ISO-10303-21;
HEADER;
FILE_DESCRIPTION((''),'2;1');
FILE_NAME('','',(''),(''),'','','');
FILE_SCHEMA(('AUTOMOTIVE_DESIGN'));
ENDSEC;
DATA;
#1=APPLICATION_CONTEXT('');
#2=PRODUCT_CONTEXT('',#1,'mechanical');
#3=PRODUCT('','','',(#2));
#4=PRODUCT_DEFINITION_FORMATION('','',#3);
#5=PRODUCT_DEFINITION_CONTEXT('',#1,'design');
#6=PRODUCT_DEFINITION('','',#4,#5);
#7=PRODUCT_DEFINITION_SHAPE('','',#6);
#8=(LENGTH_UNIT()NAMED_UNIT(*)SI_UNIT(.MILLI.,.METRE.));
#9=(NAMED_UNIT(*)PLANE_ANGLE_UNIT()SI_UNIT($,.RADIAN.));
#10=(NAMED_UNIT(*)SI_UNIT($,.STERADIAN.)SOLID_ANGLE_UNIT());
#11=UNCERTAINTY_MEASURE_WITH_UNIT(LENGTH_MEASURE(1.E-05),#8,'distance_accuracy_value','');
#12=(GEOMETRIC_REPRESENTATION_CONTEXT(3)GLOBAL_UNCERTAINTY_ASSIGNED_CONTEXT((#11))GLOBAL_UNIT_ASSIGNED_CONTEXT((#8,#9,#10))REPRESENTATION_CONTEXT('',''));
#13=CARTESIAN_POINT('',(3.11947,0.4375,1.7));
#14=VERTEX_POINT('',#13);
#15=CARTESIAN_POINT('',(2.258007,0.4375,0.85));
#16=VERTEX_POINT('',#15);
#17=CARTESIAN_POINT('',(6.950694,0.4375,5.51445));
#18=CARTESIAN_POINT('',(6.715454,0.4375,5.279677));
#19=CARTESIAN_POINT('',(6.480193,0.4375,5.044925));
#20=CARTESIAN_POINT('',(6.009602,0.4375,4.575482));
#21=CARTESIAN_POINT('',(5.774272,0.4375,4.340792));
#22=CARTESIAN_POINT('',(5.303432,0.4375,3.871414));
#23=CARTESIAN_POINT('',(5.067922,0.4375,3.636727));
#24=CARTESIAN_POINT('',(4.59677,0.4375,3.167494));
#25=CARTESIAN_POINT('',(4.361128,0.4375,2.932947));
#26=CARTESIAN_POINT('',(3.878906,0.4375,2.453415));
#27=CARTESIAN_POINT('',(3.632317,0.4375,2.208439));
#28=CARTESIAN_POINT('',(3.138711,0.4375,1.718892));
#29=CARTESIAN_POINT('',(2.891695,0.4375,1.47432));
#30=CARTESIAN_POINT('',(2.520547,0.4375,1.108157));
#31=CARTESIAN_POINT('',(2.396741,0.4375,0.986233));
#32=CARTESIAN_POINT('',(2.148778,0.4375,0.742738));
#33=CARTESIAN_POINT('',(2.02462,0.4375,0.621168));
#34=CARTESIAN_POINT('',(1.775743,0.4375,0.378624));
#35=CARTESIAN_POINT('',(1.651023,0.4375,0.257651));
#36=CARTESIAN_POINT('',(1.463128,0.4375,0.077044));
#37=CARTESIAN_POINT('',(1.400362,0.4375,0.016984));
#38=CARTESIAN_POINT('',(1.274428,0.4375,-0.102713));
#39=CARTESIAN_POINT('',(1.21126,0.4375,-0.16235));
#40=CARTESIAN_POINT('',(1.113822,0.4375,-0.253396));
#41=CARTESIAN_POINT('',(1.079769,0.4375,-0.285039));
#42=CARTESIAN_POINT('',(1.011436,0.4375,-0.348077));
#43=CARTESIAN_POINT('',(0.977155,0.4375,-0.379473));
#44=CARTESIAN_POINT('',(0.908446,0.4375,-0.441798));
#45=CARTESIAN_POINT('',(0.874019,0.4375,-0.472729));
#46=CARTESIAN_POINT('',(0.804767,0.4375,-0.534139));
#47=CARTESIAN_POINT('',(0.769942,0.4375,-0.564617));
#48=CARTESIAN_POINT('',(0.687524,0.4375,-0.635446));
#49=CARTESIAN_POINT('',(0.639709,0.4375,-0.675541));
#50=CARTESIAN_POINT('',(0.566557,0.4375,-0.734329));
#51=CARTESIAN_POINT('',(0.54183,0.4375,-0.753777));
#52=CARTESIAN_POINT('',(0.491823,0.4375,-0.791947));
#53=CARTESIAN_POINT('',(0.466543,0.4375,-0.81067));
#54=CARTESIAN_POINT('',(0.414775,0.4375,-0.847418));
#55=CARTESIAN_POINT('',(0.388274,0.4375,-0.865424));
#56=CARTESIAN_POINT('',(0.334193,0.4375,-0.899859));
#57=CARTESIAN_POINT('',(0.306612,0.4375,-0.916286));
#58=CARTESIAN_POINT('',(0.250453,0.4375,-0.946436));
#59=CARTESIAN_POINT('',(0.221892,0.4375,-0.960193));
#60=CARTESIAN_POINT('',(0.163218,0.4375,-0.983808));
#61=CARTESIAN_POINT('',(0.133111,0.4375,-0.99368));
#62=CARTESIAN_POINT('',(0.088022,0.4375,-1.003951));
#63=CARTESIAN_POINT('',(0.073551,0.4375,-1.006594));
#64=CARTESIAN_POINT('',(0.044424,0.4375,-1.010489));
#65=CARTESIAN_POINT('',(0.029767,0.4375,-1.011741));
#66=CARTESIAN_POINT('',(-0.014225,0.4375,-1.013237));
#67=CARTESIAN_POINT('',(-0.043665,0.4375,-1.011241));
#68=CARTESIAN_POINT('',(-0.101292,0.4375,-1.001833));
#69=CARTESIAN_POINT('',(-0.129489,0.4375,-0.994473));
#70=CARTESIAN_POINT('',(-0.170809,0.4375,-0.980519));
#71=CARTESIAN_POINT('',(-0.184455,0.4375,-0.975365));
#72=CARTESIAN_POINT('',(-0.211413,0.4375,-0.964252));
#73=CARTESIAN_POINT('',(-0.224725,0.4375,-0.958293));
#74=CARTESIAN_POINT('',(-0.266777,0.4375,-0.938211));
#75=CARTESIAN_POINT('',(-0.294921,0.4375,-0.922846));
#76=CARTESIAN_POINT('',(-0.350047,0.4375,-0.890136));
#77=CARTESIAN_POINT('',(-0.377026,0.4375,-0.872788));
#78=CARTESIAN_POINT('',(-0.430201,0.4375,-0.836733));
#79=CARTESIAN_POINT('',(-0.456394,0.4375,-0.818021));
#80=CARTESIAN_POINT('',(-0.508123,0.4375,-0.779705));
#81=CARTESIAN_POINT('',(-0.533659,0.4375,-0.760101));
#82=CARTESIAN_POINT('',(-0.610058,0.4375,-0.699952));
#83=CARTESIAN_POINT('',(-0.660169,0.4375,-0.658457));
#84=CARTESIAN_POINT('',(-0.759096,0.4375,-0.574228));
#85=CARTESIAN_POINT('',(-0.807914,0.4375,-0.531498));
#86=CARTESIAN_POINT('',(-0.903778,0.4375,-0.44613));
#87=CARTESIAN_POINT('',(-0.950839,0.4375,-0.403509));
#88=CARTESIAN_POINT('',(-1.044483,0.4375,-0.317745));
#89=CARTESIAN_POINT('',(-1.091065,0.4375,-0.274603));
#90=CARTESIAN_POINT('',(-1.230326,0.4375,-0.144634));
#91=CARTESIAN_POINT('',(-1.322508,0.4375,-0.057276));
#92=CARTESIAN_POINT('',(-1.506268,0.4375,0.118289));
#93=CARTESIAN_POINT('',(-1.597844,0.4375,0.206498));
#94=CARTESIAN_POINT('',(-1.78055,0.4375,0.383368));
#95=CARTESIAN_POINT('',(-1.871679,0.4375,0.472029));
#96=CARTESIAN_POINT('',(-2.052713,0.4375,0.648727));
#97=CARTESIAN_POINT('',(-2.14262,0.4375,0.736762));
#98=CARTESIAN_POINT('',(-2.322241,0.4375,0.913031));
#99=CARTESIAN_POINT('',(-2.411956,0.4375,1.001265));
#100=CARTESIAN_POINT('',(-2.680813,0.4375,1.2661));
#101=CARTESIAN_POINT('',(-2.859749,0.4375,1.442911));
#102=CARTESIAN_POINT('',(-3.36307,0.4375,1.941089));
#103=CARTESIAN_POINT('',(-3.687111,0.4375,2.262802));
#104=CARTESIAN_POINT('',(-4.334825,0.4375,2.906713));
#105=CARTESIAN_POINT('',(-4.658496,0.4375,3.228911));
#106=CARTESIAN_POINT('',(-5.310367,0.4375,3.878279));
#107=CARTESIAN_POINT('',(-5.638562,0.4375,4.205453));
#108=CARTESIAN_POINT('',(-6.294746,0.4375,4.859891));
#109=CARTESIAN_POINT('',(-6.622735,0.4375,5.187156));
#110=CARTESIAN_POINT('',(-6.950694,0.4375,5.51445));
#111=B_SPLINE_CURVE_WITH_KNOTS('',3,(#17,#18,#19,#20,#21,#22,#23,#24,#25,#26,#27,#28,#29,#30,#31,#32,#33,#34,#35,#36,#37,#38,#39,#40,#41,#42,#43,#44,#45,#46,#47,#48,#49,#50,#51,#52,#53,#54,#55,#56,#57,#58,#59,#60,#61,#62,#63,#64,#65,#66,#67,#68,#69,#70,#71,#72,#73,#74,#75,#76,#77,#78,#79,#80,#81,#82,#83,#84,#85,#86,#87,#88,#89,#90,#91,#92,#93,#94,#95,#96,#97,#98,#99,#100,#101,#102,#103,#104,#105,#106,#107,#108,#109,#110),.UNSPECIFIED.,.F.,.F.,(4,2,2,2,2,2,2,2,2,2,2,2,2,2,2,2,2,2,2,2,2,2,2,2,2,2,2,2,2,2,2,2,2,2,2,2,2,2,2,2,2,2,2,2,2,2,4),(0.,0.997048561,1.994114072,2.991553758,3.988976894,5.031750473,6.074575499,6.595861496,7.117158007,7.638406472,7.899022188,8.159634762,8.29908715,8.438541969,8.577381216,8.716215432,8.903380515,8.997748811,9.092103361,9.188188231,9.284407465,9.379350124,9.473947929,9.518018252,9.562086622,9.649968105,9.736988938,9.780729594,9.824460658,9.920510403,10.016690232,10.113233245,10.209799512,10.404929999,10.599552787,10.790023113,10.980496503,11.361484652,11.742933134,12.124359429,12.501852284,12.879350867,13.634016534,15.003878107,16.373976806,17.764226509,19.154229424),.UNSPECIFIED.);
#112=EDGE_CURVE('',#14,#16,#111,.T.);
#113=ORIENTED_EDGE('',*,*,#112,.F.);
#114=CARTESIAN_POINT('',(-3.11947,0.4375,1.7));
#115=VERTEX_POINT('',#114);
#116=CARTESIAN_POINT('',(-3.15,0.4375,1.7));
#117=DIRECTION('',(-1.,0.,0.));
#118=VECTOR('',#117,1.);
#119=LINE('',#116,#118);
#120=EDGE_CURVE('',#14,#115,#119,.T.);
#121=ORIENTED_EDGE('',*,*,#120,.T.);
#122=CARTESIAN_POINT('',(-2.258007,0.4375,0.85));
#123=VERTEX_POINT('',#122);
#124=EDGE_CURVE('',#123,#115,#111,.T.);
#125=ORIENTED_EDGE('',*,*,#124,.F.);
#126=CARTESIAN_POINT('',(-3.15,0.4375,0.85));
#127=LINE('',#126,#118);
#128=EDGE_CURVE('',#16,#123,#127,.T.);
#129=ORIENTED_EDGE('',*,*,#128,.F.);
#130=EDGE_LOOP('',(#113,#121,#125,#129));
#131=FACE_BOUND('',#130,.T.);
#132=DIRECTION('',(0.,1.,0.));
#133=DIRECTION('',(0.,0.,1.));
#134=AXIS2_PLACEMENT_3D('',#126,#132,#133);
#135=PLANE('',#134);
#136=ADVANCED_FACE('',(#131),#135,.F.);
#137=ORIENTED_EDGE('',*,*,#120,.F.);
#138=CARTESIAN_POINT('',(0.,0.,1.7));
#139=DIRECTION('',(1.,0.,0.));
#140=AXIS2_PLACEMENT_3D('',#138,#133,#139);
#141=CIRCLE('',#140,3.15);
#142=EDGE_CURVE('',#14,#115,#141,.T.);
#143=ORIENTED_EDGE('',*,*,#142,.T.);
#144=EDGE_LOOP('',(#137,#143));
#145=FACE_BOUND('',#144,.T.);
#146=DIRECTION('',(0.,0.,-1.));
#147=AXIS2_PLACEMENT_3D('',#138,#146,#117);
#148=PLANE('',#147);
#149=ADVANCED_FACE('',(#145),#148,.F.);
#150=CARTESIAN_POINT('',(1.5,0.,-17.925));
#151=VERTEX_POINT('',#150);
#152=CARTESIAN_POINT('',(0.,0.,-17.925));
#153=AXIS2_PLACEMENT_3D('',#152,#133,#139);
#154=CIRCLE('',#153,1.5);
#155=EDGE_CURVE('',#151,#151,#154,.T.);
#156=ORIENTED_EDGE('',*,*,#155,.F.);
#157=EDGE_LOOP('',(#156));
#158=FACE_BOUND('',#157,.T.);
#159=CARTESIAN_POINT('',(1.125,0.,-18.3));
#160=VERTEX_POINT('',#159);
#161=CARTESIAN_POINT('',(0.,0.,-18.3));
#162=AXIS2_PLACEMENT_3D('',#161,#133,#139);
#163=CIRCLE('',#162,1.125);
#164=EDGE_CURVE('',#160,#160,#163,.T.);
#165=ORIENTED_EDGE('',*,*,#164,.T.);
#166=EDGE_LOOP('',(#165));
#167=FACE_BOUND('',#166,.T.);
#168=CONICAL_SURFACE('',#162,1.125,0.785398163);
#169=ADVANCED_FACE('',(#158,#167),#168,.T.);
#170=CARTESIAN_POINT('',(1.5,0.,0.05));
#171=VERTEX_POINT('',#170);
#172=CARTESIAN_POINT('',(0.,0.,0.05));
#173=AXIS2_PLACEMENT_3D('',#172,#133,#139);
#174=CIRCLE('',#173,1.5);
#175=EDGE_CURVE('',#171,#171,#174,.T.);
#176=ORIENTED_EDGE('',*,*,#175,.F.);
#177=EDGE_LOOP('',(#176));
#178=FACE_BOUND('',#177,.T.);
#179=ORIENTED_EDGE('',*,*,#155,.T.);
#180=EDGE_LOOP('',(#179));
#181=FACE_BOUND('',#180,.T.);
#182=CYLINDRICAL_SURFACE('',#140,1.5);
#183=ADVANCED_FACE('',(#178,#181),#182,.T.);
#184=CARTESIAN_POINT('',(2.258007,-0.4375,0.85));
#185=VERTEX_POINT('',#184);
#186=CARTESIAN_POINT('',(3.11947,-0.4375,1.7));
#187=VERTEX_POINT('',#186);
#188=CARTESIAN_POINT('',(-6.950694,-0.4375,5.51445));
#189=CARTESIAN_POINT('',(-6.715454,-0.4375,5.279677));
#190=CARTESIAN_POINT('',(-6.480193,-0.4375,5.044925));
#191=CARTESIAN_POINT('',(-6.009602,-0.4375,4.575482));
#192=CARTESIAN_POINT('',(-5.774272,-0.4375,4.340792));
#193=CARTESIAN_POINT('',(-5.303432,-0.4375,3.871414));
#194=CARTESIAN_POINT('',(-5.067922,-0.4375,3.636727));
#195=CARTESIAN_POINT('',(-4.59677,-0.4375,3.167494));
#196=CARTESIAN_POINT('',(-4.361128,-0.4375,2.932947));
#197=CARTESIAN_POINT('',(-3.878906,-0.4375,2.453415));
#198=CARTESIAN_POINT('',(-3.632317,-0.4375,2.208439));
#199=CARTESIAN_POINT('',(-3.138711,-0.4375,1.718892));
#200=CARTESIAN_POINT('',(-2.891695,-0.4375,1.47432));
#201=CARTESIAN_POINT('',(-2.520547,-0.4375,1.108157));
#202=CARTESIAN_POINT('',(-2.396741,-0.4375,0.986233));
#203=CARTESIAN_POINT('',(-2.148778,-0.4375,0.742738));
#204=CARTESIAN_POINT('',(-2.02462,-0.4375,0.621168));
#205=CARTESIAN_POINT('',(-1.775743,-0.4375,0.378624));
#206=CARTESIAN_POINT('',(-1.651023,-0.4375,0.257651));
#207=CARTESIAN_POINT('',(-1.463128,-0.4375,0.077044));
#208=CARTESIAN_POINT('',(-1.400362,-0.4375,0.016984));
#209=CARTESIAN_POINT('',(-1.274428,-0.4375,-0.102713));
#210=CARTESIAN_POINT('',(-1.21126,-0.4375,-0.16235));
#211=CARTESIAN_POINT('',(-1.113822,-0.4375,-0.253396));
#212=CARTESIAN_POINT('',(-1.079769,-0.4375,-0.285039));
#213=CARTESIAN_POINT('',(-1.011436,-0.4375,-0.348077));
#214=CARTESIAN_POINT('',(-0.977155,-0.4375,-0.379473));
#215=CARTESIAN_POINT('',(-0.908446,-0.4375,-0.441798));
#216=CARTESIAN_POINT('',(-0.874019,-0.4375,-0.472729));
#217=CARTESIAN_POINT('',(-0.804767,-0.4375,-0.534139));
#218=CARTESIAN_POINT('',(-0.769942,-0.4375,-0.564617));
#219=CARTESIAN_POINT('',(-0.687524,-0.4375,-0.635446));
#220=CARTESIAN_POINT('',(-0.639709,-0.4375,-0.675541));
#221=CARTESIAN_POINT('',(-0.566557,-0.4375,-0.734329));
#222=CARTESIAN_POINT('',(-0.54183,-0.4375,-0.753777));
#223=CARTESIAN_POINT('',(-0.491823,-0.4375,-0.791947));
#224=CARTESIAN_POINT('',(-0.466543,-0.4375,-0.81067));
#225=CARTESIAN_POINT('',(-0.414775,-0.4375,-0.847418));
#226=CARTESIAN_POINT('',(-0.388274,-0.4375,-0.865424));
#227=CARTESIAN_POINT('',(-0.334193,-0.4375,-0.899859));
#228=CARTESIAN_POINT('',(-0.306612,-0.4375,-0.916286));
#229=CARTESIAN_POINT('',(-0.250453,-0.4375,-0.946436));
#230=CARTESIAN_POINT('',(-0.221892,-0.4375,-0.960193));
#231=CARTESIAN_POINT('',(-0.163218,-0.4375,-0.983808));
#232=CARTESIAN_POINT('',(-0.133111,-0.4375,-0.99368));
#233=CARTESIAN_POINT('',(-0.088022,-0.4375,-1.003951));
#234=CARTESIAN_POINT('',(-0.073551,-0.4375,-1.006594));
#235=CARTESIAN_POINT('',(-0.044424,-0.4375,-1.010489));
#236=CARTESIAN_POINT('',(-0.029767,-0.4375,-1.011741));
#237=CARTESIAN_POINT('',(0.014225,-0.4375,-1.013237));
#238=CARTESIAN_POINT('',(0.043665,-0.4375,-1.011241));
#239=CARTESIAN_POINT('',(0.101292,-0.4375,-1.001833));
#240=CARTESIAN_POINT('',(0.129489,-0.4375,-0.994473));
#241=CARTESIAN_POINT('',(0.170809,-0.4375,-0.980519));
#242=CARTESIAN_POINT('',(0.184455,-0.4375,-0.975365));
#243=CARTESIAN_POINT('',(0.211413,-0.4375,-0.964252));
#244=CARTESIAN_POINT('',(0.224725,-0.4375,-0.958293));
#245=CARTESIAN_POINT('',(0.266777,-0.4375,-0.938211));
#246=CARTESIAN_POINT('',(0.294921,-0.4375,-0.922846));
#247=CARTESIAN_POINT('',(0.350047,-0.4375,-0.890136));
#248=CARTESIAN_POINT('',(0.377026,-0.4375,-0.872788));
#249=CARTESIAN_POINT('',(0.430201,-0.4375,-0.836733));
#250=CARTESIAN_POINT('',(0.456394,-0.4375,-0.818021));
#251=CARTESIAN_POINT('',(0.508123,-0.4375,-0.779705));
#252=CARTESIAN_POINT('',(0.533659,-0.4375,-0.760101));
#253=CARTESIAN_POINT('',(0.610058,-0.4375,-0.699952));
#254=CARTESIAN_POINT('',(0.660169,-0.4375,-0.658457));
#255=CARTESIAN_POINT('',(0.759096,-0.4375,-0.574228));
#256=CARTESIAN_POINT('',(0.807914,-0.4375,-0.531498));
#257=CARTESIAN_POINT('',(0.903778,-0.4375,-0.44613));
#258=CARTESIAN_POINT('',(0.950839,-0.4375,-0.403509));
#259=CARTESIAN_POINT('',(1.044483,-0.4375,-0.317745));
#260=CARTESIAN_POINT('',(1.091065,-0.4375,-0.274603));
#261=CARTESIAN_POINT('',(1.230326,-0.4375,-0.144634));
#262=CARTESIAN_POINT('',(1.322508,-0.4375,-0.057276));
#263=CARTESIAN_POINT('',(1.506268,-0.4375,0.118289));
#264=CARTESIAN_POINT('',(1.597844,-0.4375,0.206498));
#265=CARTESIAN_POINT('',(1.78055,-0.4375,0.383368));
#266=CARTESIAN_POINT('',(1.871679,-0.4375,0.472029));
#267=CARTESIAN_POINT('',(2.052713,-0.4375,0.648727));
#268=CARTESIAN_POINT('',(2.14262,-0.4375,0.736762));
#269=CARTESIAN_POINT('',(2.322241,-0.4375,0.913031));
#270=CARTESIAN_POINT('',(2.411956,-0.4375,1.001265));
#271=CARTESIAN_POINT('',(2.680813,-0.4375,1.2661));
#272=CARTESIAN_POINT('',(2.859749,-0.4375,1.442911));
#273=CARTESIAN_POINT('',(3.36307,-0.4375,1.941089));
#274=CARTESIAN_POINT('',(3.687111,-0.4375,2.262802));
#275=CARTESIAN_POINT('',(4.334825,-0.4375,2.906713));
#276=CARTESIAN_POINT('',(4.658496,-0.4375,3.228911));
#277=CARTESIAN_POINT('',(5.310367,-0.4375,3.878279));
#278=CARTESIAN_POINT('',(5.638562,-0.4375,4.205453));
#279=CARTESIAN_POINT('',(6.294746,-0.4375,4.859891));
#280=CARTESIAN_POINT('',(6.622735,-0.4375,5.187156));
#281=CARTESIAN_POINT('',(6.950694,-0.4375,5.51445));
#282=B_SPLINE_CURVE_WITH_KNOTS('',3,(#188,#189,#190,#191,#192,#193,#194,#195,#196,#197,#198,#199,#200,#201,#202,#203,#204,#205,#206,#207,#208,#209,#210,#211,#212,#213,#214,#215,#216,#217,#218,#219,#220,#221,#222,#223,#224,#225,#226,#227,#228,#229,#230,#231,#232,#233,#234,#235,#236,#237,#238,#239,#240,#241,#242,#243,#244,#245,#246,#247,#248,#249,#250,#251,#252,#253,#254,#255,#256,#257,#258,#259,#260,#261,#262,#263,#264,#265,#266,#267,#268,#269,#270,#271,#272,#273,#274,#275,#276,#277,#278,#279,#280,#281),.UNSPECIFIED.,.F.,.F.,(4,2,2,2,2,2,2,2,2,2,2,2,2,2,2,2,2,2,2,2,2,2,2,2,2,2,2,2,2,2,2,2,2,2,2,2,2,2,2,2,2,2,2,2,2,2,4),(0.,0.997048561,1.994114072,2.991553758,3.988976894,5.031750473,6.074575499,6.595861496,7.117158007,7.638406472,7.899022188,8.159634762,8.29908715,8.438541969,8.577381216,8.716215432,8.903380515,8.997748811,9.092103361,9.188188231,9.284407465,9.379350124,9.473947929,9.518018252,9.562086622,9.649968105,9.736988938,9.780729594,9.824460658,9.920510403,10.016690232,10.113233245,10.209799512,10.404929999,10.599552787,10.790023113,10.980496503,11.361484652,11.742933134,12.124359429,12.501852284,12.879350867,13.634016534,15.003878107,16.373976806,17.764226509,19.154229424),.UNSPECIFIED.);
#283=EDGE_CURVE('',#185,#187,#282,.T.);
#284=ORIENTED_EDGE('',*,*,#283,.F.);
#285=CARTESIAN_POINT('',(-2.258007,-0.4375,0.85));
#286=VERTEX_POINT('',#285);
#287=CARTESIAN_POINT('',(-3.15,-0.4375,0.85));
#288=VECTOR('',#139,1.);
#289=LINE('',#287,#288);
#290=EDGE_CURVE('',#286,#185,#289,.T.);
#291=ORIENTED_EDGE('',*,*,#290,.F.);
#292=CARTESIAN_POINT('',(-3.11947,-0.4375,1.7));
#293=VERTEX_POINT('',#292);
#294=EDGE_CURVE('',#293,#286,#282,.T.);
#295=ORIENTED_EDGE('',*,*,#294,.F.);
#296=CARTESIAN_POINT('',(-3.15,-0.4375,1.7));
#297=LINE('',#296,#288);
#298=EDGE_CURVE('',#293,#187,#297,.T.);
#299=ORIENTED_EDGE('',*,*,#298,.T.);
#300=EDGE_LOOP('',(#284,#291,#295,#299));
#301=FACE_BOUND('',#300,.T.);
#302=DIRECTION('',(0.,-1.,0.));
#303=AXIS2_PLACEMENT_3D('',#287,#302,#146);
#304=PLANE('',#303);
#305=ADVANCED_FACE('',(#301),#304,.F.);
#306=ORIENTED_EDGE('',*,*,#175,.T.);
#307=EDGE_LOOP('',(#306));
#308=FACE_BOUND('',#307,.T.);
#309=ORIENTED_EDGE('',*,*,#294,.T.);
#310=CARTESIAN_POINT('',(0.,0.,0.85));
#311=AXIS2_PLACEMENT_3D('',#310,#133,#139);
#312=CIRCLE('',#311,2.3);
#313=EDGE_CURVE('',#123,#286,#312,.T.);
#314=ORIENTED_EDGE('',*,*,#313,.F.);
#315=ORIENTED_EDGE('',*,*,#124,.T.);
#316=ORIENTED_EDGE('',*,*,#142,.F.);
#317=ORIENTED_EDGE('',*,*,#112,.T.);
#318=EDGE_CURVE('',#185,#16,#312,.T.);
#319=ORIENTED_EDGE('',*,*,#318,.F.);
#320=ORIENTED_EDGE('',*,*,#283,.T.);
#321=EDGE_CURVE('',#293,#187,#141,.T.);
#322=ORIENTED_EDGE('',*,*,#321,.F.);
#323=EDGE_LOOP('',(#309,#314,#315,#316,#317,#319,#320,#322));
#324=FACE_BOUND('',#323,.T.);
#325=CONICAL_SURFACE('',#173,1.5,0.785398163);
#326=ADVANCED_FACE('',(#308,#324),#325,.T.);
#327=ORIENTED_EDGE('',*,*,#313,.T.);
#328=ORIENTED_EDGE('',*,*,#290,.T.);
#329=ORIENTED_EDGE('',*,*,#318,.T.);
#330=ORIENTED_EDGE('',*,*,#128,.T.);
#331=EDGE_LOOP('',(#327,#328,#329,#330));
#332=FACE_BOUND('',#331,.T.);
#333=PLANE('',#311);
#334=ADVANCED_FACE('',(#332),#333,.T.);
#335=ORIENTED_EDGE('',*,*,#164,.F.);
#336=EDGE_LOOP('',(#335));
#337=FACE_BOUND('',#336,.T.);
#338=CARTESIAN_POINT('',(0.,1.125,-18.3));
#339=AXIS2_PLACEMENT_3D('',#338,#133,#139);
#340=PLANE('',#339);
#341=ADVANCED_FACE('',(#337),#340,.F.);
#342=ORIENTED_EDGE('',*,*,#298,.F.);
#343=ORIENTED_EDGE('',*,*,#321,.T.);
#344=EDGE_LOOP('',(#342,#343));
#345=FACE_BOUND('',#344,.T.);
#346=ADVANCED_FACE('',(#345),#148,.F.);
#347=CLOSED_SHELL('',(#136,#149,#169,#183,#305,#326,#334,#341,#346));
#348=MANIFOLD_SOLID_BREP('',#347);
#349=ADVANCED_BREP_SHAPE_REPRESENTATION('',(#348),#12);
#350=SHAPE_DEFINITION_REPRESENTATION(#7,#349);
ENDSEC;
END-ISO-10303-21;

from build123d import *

# Parameters (mm, degrees)
SKETCH9_W          = 6.3
SKETCH9_H          = 0.875
CUT_EXTRUDE1_DEPTH = 0.85


with BuildPart() as part:
    # Sketch3 → Revolve1 (revolve)
    with BuildSketch(Plane(origin=(0, 0, 0), x_dir=(0, 0, -1), z_dir=(1, 0, 0))):
        Polygon((-1.7, 3.15), (-0.05, 1.5), (17.925, 1.5), (18.3, 1.125), (18.3, 0), (-1.7, 0), align=None)
    revolve(axis=Axis((0, 0, 1.7), (0, 0, -1)))

    # Sketch9 → Cut-Extrude1 (cut)
    with BuildSketch(Plane.XY.offset(1.7)):
        Rectangle(SKETCH9_W, SKETCH9_H)
    extrude(amount=-CUT_EXTRUDE1_DEPTH, mode=Mode.SUBTRACT)


solid = part.part
